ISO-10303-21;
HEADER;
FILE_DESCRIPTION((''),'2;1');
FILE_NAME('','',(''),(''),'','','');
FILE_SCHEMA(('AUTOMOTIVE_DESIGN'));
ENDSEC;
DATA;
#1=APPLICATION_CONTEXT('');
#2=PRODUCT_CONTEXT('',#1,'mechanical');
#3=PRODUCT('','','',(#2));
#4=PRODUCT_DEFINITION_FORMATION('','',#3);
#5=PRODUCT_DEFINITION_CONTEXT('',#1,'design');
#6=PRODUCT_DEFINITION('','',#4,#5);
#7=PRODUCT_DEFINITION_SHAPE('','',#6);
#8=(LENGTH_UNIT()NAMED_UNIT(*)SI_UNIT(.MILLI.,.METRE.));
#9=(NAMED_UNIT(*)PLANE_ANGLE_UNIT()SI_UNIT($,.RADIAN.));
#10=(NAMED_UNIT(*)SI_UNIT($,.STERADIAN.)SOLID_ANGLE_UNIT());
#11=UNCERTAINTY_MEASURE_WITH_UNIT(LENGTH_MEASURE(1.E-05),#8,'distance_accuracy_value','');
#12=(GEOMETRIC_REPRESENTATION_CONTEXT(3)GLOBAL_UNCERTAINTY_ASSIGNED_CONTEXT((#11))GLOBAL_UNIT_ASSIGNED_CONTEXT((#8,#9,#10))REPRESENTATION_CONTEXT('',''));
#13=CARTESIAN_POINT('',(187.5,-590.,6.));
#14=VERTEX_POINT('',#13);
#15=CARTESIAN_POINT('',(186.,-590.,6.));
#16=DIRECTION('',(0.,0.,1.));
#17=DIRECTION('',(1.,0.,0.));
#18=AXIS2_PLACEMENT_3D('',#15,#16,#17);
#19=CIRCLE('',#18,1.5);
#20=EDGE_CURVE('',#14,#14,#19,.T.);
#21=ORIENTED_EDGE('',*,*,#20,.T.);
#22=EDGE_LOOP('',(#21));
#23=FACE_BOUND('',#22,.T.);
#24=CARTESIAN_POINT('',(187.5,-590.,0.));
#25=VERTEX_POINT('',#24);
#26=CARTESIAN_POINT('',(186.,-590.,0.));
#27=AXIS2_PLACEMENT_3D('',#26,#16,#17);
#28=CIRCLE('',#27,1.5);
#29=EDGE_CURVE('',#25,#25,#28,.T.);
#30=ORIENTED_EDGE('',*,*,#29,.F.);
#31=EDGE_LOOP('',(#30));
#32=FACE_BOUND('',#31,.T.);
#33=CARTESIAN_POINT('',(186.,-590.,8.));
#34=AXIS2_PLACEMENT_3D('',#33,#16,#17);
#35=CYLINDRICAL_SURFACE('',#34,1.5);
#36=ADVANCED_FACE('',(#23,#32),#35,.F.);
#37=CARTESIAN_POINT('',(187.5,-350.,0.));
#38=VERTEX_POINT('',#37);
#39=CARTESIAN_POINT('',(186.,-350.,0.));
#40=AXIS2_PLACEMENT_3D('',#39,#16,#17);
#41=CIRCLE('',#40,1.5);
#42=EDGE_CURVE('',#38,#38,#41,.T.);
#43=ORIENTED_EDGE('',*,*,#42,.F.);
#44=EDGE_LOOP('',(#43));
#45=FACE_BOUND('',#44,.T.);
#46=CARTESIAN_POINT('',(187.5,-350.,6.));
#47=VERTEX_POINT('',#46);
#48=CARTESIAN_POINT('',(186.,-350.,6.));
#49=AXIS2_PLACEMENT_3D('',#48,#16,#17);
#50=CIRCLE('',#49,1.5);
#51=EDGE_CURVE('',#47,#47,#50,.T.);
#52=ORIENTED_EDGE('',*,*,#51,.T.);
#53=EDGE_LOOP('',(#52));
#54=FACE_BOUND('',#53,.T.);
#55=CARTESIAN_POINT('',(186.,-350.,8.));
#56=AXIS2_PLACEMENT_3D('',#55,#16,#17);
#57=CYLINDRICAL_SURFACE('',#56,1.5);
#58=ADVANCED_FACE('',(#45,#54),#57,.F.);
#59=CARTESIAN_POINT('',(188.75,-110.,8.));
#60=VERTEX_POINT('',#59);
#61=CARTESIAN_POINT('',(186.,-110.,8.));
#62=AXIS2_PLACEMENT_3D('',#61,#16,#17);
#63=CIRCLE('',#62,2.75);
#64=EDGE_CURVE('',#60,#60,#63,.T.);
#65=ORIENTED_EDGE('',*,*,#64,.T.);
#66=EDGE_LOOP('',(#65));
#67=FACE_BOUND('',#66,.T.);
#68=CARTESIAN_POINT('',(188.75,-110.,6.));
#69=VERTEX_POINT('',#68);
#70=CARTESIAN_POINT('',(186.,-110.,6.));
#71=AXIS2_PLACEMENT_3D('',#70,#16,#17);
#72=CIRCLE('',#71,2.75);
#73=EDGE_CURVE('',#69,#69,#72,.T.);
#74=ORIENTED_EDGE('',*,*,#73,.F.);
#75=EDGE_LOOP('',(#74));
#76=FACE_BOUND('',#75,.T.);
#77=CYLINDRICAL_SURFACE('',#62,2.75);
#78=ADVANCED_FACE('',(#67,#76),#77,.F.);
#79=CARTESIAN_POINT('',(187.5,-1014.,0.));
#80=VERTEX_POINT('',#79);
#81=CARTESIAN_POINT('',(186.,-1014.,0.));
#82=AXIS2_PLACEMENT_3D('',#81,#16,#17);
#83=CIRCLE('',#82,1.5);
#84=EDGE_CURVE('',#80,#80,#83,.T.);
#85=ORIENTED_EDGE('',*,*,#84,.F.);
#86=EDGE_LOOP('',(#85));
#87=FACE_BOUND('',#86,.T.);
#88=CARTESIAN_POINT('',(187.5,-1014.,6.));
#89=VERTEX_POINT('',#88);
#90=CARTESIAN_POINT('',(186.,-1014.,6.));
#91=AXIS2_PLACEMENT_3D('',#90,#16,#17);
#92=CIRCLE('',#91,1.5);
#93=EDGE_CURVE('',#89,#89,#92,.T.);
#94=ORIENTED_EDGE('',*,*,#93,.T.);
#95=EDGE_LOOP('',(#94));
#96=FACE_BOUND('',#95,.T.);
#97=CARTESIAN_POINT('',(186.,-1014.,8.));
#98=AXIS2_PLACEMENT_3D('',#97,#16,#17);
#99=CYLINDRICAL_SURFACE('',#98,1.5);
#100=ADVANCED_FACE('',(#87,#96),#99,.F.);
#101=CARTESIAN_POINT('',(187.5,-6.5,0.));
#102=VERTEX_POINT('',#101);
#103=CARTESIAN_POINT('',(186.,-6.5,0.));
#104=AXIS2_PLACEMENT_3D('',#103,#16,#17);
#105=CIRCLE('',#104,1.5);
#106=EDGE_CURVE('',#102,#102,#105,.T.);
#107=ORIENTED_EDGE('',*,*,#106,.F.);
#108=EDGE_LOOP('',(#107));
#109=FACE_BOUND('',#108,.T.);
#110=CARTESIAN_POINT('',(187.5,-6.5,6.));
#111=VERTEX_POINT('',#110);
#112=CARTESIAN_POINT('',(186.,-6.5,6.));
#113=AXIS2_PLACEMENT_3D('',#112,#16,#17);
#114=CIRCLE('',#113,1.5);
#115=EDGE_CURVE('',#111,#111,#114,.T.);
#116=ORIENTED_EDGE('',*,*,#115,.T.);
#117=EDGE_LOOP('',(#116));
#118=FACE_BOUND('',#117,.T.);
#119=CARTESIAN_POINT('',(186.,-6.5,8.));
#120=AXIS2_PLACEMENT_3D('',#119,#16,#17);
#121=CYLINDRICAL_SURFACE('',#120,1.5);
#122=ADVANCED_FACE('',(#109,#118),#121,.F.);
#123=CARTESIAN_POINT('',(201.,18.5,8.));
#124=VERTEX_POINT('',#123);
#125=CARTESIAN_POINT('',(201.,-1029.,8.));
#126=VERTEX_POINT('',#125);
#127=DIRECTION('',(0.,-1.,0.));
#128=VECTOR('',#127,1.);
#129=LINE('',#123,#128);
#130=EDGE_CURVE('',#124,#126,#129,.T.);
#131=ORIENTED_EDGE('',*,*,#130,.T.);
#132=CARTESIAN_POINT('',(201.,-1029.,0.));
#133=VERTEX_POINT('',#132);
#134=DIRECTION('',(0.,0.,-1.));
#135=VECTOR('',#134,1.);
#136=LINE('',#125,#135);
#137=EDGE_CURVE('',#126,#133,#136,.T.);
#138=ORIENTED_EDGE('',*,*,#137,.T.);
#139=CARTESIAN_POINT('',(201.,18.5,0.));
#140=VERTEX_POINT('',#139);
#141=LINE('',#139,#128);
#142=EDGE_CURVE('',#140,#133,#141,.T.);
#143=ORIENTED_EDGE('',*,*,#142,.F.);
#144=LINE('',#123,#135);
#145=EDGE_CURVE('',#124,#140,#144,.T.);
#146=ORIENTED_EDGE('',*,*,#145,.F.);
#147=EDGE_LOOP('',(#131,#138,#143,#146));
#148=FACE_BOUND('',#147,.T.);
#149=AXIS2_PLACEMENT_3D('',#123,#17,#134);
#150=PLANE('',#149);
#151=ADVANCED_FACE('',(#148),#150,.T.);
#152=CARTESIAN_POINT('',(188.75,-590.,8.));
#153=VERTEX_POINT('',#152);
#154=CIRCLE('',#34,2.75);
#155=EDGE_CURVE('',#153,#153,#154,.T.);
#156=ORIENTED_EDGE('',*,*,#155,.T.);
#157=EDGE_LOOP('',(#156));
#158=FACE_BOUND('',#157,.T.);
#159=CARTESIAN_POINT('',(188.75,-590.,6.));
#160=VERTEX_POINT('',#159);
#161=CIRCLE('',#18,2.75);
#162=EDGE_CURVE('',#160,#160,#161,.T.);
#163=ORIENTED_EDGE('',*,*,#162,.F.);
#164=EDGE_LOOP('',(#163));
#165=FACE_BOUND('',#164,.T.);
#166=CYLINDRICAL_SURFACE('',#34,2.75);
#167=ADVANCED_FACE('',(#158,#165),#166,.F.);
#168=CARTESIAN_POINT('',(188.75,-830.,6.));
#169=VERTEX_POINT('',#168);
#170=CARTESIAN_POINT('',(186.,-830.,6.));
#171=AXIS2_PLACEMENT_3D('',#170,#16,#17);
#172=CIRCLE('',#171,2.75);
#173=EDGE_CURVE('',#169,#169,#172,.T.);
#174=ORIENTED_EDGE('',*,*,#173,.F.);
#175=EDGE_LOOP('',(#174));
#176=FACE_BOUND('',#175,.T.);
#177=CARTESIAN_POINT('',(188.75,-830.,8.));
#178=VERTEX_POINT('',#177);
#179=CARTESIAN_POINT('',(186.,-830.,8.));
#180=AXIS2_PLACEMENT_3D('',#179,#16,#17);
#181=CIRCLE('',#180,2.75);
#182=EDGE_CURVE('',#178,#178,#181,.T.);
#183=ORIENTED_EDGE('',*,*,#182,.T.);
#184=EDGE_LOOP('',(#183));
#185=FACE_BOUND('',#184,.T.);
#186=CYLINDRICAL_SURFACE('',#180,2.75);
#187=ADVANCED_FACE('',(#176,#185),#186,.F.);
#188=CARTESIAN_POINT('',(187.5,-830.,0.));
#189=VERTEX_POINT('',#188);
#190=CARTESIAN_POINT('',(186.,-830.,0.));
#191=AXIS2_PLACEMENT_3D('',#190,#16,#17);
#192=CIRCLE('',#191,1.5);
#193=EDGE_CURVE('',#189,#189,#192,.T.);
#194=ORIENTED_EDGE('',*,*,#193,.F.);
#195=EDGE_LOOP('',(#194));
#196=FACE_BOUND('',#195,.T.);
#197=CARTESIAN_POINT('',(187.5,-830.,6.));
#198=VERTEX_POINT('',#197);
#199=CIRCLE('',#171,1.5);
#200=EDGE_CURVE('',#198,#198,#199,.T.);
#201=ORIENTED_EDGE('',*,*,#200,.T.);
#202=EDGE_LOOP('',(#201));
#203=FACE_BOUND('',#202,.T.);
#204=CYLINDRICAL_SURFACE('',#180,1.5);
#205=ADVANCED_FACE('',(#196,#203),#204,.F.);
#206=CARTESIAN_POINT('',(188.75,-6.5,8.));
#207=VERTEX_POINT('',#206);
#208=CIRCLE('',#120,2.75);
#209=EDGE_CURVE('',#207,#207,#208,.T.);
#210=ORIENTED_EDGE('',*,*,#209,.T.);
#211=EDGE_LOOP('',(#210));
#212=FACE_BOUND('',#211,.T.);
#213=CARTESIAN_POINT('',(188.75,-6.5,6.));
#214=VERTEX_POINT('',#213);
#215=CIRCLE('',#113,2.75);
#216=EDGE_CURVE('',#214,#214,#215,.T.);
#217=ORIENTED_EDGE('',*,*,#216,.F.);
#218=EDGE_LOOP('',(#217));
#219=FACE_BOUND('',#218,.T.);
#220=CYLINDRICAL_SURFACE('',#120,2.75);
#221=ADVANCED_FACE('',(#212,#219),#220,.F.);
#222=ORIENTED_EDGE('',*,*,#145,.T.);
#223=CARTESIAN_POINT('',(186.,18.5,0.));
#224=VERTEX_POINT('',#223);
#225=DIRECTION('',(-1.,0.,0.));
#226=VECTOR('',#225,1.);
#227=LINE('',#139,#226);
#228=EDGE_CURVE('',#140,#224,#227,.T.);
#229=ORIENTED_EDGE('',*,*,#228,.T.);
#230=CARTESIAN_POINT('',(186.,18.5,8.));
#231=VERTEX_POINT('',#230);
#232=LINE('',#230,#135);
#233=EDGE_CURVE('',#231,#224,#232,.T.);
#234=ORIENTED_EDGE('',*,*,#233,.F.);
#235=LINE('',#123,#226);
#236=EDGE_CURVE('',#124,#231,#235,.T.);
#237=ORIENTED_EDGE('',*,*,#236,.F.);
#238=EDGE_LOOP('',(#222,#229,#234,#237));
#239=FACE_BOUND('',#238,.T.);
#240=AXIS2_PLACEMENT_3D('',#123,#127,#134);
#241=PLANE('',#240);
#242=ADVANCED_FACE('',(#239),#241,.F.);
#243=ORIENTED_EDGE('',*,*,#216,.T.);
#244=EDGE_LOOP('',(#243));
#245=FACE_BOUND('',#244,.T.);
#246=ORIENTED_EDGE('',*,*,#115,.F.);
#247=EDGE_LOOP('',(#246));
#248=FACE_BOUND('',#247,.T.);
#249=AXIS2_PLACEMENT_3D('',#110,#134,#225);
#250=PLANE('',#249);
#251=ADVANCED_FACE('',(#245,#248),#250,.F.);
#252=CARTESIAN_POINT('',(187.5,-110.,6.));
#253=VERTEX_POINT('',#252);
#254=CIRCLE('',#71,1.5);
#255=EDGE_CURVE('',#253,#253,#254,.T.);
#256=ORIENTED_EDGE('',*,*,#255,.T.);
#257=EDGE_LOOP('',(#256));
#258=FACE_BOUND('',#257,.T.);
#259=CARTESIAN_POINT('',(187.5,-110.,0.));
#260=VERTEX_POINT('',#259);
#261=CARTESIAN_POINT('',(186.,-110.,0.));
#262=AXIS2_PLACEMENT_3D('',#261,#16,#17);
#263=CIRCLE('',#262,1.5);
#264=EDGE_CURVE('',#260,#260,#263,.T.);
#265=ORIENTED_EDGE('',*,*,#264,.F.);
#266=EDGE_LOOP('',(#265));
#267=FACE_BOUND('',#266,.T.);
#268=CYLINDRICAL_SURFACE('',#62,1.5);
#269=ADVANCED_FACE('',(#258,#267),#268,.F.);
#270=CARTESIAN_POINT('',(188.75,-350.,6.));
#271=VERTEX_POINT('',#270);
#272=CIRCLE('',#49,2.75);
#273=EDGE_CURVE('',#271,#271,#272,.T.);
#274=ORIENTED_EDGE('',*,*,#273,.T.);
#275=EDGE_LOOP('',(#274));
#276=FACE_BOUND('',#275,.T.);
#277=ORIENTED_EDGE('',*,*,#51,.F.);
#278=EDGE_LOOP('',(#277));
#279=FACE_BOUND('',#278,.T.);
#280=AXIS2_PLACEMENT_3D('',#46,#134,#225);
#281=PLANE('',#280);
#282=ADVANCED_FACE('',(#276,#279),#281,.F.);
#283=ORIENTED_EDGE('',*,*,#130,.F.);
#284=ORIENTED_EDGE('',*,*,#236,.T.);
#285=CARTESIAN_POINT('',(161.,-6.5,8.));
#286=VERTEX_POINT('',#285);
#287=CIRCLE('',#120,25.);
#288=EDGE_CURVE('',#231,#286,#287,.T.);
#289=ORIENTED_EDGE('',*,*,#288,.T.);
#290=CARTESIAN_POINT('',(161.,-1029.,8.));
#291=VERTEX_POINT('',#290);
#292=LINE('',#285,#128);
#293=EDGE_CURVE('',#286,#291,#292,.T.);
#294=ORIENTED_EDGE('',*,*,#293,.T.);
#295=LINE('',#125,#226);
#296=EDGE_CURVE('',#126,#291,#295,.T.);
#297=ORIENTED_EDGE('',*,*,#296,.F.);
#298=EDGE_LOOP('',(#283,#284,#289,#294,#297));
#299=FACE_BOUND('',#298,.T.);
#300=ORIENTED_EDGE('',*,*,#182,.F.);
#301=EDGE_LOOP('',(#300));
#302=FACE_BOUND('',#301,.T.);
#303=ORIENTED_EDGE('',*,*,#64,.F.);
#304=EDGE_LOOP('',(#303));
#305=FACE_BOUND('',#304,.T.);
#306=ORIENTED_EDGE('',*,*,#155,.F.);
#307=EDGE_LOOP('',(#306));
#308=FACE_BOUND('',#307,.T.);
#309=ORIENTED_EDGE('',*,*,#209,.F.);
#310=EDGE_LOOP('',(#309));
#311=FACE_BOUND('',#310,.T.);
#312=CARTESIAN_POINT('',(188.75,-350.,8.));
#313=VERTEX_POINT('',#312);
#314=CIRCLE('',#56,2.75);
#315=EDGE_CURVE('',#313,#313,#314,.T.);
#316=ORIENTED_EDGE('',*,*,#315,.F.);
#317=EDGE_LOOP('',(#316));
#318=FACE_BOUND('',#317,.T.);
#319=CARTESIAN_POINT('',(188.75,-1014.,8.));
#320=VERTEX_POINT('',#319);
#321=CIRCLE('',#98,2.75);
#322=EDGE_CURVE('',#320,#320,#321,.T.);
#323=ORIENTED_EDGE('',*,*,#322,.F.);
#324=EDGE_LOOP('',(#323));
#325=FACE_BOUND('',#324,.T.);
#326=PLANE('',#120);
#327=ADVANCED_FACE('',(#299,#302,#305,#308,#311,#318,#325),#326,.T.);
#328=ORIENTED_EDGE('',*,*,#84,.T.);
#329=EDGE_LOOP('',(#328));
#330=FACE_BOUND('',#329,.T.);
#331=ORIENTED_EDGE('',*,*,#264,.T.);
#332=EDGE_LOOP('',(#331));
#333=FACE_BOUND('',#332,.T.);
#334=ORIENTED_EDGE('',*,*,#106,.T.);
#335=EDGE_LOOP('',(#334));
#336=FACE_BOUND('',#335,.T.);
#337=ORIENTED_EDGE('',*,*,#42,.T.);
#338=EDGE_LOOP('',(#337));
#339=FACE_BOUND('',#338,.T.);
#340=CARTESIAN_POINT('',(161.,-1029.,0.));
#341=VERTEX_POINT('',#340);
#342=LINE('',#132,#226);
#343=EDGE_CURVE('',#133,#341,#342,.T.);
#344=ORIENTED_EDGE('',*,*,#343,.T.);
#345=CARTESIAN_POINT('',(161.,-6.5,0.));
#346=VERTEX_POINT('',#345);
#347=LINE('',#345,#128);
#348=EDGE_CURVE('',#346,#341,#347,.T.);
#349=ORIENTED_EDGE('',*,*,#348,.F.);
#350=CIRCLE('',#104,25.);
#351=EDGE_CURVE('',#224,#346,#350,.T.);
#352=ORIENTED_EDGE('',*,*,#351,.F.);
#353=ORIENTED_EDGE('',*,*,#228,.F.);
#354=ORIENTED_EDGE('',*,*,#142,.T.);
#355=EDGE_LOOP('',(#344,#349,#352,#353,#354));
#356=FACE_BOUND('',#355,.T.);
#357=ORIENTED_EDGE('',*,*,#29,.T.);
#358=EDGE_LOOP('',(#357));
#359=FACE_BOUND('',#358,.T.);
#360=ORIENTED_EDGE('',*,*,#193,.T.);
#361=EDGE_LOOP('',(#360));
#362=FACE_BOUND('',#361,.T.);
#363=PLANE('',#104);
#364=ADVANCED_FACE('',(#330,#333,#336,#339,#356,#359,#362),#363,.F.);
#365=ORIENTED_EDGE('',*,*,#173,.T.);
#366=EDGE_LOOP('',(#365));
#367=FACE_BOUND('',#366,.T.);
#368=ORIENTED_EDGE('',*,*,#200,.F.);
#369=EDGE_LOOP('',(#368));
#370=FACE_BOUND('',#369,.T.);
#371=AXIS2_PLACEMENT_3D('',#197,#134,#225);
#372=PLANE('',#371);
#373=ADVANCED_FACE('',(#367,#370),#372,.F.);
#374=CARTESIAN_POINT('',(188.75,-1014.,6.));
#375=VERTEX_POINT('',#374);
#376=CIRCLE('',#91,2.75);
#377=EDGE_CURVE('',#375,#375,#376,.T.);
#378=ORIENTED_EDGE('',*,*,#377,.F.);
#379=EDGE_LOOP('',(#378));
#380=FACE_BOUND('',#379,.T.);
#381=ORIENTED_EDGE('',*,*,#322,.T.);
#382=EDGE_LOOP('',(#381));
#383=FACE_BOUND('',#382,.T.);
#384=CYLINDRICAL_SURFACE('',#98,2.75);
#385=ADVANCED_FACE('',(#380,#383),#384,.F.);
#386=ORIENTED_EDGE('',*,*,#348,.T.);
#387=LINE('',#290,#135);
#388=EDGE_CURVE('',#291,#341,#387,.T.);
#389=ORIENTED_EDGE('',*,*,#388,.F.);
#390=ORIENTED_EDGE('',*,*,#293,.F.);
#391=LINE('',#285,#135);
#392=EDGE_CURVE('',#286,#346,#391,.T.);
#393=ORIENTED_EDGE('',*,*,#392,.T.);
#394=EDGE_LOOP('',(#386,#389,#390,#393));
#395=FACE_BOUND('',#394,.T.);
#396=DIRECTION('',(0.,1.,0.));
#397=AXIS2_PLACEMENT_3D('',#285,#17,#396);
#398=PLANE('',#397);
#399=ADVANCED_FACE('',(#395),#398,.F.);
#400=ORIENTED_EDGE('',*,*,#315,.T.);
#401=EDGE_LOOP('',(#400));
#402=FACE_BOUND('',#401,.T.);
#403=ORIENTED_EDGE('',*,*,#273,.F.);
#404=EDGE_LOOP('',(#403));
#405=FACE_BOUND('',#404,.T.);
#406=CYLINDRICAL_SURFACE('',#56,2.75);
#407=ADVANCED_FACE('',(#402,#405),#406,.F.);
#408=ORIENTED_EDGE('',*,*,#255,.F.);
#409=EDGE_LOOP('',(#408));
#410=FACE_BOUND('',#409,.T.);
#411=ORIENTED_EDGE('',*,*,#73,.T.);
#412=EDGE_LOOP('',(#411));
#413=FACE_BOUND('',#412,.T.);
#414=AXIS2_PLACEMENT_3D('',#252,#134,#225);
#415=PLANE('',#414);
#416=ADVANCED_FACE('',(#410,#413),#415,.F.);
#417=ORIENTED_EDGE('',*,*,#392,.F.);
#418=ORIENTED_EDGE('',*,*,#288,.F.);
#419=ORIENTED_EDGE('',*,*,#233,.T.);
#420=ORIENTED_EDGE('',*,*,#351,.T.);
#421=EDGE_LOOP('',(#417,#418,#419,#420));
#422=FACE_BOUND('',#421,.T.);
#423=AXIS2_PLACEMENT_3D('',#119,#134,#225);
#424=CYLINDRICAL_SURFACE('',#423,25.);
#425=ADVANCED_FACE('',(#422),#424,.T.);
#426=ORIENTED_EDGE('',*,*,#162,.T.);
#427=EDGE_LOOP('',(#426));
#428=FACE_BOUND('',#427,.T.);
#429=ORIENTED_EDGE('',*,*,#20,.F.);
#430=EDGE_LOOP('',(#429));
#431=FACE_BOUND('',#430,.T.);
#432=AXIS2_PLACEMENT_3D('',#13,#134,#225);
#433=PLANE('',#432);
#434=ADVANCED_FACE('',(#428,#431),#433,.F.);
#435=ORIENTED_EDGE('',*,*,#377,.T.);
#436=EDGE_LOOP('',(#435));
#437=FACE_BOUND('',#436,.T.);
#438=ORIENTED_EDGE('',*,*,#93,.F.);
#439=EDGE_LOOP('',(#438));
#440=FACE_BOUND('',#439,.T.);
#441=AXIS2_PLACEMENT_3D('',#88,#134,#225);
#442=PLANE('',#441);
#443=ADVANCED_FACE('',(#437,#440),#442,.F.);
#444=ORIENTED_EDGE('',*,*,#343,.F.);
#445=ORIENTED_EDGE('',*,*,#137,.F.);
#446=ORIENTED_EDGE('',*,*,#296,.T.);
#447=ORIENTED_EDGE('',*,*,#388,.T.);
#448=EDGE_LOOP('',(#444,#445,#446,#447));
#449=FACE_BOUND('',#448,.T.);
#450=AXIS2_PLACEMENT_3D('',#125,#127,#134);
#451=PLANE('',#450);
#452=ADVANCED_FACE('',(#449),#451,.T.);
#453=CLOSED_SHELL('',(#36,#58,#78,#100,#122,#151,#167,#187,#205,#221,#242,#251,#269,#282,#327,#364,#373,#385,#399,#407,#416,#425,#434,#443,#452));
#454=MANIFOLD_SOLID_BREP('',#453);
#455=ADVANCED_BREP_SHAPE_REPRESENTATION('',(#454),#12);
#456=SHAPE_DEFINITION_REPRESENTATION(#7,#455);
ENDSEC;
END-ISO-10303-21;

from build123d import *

# Parameters (mm, degrees)
BOSS_EXTRU_1_DEPTH                                 = 8
CHAMBRAGE_POUR_VIS_T_TE_CYLINDRIQUE_CO_D           = 3
CHAMBRAGE_POUR_VIS_T_TE_CYLINDRIQUE_CO_CBORE_D     = 5.5
CHAMBRAGE_POUR_VIS_T_TE_CYLINDRIQUE_CO_CBORE_DEPTH = 2


with BuildPart() as part:
    # Esquisse1 → Boss.-Extru.1 (new body)
    with BuildSketch(Plane.XY):
        with BuildLine():
            Line((201, 18.5), (186, 18.5))
            ThreePointArc((186, 18.5), (168.32233047, 11.17766953), (161, -6.5))
            Line((161, -6.5), (161, -1029))
            Line((161, -1029), (201, -1029))
            Line((201, -1029), (201, 18.5))
        make_face()
    extrude(amount=BOSS_EXTRU_1_DEPTH)

    # Chambrage pour vis à tête cylindrique courte six pans creux M31 (through all)
    with Locations(Plane.XY.offset(8)):
        with Locations((186, -1014), (186, -830), (186, -590), (186, -350), (186, -110), (186, -6.5)):
            CounterBoreHole(CHAMBRAGE_POUR_VIS_T_TE_CYLINDRIQUE_CO_D / 2, CHAMBRAGE_POUR_VIS_T_TE_CYLINDRIQUE_CO_CBORE_D / 2, CHAMBRAGE_POUR_VIS_T_TE_CYLINDRIQUE_CO_CBORE_DEPTH)


solid = part.part
